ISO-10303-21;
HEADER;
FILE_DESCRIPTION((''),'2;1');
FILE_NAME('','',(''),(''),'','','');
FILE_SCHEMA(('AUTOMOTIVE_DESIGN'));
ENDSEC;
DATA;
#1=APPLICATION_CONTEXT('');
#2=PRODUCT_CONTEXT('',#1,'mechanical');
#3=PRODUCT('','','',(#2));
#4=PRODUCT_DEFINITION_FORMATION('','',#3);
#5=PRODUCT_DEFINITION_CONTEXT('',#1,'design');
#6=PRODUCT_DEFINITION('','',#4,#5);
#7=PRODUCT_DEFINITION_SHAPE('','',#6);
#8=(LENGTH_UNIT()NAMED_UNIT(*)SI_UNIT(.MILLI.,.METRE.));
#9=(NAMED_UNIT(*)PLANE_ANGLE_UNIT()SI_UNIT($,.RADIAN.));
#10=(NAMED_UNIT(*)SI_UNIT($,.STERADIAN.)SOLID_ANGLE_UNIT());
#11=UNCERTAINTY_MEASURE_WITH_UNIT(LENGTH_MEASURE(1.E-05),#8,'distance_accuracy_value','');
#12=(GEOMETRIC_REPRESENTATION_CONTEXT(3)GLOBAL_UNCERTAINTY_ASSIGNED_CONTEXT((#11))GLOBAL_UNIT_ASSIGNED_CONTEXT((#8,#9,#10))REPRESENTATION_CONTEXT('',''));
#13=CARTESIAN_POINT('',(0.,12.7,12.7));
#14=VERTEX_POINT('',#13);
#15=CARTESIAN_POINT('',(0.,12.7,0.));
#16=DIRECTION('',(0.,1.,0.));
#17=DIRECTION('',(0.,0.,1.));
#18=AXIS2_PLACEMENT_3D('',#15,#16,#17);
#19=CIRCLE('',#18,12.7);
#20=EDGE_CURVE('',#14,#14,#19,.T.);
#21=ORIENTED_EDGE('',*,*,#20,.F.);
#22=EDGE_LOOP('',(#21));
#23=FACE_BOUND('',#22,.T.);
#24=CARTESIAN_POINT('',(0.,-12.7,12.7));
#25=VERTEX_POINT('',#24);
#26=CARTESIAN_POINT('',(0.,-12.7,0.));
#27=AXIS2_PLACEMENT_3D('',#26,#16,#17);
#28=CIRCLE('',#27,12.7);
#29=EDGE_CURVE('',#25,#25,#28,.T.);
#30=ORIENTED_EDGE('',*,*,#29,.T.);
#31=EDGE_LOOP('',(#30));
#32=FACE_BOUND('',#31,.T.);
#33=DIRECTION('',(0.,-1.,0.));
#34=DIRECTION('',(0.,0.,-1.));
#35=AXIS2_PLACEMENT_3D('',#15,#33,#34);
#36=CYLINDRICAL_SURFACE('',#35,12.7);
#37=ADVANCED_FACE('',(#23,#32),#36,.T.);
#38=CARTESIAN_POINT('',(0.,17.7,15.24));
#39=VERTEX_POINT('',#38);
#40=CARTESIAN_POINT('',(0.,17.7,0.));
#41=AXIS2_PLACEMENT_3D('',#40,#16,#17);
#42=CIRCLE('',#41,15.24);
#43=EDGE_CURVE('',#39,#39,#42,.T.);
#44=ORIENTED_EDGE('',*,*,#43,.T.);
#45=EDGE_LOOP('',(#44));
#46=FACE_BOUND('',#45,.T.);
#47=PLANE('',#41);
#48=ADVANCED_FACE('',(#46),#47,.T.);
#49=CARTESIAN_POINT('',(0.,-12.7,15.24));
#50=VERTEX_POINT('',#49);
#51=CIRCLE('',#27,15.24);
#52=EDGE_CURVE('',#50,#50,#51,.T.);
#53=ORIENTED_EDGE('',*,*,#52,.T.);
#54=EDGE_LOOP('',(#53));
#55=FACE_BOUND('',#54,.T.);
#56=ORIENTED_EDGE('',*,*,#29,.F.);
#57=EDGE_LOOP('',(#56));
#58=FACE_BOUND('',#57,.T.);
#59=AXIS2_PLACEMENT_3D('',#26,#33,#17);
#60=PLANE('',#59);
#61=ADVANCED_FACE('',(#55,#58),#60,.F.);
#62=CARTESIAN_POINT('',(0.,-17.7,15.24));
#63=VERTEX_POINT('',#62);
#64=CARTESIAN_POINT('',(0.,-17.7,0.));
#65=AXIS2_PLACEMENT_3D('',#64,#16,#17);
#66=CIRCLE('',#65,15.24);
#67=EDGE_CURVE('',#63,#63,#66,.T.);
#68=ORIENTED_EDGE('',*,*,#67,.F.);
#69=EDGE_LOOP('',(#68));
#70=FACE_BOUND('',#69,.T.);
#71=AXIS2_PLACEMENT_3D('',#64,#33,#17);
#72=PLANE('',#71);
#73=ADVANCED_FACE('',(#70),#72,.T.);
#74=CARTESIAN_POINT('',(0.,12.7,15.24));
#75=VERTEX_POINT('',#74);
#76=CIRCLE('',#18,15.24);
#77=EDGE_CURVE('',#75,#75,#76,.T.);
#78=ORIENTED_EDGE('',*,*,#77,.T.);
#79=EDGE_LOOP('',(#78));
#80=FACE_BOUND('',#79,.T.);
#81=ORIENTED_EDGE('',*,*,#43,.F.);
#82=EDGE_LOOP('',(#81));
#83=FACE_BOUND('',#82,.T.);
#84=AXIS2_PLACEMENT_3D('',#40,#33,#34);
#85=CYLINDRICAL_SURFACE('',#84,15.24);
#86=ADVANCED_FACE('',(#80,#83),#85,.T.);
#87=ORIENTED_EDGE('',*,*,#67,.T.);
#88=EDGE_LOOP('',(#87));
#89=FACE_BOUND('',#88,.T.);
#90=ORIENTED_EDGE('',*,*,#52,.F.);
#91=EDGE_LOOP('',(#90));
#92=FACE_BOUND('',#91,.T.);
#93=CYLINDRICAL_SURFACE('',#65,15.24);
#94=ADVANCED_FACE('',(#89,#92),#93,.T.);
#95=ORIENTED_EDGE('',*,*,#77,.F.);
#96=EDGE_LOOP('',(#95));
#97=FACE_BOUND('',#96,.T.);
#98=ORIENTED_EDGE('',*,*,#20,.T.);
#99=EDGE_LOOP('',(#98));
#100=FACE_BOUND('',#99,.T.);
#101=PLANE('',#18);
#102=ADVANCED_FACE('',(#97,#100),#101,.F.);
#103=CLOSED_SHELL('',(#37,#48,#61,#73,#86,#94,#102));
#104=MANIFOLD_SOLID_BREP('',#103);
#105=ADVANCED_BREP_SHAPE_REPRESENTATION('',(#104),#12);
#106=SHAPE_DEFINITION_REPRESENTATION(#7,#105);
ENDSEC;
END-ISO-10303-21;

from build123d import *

# Parameters (mm, degrees)
SKETCH1_R           = 12.7
BOSS_EXTRUDE1_DEPTH = 12.7
SKETCH2_R           = 15.24
BOSS_EXTRUDE2_DEPTH = 5


with BuildPart() as part:
    # Sketch1 → Boss-Extrude1 (new body, symmetric)
    with BuildSketch(Plane(origin=(0, 0, 0), x_dir=(1, 0, 0), z_dir=(0, 1, 0))):
        Circle(SKETCH1_R)
    extrude(amount=BOSS_EXTRUDE1_DEPTH, both=True)

    # Sketch2 → Boss-Extrude2 (add)
    with BuildSketch(Plane(origin=(0, 12.7, 0), x_dir=(1, 0, 0), z_dir=(0, 1, 0))):
        Circle(SKETCH2_R)
    boss_extrude2 = extrude(amount=BOSS_EXTRUDE2_DEPTH)

    # Mirror1: Boss-Extrude2 across plane
    add(boss_extrude2.mirror(Plane.ZX))


solid = part.part
